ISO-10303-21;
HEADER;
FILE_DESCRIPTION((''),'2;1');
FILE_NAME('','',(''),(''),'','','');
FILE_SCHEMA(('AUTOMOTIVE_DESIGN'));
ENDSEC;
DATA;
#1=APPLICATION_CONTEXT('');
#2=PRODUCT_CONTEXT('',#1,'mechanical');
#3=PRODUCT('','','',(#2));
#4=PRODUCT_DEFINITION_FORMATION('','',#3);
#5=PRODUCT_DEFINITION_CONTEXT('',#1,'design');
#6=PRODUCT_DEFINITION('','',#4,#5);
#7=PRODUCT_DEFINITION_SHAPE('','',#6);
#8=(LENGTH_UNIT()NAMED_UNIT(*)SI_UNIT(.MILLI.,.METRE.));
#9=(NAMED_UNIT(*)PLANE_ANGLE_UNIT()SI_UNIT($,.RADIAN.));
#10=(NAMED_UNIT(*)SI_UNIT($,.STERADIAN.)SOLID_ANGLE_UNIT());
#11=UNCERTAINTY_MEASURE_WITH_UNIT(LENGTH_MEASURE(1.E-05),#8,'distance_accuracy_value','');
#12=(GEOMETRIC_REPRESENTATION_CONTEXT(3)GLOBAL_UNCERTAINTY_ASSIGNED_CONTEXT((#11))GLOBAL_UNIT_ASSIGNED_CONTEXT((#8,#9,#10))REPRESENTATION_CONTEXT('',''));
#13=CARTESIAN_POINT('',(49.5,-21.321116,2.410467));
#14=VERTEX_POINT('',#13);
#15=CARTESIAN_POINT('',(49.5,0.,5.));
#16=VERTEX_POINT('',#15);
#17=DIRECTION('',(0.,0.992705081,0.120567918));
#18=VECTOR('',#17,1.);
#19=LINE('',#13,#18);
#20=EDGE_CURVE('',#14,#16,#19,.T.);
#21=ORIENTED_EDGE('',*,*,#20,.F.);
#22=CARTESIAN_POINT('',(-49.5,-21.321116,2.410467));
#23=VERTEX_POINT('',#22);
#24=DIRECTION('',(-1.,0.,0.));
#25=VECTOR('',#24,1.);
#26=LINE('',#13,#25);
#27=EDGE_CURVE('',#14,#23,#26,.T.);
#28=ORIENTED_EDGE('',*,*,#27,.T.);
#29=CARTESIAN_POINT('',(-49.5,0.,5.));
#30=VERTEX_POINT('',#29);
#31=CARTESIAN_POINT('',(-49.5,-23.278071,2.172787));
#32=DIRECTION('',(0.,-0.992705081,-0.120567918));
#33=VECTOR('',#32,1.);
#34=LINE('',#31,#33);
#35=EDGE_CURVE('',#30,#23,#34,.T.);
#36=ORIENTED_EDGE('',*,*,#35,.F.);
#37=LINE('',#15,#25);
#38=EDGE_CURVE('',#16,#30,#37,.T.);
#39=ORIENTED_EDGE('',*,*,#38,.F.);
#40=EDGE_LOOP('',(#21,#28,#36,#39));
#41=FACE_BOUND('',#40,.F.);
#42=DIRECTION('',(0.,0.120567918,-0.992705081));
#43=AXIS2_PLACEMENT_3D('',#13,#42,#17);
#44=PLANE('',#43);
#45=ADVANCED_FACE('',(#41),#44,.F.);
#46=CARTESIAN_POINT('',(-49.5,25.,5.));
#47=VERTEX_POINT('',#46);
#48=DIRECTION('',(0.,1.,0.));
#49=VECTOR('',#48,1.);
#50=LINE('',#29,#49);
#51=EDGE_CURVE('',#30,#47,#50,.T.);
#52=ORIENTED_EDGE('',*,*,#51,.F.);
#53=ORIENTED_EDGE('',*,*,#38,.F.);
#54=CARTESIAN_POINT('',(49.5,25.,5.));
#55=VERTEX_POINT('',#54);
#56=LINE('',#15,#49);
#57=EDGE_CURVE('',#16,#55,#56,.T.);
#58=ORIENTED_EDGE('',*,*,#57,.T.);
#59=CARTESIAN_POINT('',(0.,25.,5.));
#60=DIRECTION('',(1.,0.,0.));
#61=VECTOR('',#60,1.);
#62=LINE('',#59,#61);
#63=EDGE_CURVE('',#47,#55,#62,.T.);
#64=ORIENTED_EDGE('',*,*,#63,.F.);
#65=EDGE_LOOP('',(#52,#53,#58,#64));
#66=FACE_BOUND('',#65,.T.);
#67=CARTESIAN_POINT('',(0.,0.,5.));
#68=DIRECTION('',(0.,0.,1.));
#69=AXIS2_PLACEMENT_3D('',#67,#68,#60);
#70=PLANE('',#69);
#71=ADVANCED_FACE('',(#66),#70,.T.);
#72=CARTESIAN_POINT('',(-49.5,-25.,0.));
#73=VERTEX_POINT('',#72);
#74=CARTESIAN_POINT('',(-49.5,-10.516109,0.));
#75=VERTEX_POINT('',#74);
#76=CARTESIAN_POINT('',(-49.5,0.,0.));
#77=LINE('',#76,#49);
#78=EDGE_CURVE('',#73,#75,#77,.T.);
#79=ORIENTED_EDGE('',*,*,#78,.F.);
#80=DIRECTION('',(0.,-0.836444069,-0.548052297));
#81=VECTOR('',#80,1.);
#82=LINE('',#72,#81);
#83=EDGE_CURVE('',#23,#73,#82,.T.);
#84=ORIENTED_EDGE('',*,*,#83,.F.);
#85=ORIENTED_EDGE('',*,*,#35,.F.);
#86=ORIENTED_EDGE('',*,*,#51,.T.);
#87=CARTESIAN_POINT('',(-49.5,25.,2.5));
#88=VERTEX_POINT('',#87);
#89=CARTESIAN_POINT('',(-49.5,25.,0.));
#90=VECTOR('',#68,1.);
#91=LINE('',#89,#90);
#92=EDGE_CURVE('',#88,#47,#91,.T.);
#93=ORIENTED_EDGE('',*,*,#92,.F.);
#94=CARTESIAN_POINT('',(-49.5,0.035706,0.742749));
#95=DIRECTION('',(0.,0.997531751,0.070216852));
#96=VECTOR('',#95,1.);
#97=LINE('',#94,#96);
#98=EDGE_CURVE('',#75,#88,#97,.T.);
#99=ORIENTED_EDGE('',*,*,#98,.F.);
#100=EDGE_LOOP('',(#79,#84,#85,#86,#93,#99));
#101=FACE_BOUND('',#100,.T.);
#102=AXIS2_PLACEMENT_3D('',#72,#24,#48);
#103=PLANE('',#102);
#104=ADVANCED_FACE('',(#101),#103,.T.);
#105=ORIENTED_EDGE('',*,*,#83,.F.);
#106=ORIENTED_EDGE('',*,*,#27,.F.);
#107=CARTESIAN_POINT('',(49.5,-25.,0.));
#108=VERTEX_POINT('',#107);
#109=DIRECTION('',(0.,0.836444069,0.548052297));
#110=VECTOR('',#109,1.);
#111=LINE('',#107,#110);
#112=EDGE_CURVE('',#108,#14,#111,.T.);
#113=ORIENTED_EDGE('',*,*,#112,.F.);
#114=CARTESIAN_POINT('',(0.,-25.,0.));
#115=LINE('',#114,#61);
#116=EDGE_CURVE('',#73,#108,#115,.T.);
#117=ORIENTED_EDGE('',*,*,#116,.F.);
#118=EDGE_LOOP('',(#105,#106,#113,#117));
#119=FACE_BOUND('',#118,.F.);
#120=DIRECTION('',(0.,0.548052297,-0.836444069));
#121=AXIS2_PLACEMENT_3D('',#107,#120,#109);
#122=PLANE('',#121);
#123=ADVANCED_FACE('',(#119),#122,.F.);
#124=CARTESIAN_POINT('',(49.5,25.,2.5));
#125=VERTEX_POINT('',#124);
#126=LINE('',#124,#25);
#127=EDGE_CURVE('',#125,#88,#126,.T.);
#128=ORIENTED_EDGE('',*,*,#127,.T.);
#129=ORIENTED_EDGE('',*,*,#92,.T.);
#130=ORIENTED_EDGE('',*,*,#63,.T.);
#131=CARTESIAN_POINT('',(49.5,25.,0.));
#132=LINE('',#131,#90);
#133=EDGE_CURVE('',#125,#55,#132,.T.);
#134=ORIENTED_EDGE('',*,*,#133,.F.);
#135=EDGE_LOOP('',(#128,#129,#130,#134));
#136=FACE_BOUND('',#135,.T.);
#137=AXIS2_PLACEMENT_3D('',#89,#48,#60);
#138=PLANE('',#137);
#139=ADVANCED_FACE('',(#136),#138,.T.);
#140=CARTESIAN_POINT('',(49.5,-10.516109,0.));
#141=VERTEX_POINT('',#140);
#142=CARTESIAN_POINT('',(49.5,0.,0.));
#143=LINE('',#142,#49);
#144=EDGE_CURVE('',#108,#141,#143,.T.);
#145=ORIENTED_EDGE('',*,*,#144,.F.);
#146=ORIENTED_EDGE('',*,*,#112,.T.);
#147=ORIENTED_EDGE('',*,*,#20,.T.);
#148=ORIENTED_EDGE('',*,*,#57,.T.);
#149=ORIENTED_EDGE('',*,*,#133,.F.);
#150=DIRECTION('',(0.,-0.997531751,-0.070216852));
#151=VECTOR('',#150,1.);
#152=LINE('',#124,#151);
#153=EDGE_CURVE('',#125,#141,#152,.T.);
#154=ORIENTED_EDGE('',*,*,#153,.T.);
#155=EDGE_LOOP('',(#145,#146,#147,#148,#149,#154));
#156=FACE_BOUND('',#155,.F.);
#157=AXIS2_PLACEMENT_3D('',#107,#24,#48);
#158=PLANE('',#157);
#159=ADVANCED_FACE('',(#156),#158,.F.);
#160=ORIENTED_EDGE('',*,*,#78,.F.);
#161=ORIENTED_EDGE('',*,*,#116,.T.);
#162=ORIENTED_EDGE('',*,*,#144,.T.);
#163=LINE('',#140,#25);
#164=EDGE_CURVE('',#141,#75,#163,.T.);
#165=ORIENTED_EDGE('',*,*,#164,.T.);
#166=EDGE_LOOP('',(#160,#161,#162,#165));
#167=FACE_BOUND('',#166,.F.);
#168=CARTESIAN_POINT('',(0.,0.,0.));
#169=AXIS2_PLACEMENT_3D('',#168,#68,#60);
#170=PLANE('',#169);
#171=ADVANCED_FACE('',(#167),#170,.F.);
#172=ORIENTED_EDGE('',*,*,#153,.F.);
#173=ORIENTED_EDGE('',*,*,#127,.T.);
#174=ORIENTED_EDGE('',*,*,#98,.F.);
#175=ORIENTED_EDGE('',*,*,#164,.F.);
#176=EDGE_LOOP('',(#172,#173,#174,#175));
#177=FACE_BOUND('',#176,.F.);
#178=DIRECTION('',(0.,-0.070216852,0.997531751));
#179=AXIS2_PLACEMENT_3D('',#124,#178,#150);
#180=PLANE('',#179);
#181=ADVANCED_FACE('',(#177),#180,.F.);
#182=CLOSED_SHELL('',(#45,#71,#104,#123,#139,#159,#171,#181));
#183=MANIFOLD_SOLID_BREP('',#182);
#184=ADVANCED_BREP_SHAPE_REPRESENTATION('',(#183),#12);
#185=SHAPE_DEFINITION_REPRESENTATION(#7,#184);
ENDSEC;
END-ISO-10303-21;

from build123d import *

# Parameters (mm, degrees)
F0_W     = 99
F0_H     = 50
F1_DEPTH = 5
F3_DEPTH = 127
F5_DEPTH = 152.4


with BuildPart() as f1:
    # F0 (on Top) → F1 (new body)
    with BuildSketch(Plane.XY):
        Rectangle(F0_W, F0_H)
    extrude(amount=F1_DEPTH)

    # F2 (on face) → F3 (cut)
    with BuildSketch(Plane.YZ.offset(49.5)):
        Polygon((-21.321116, 2.410467), (0, 5), (-25, 5), (-25, 0), align=None)
    extrude(amount=-F3_DEPTH, mode=Mode.SUBTRACT)

    # F4 (on face) → F5 (cut)
    with BuildSketch(Plane.YZ.offset(49.5)):
        Polygon((25, 2.5), (-10.516109, 0), (25, 0), align=None)
    extrude(amount=-F5_DEPTH, mode=Mode.SUBTRACT)


solid = f1.part
